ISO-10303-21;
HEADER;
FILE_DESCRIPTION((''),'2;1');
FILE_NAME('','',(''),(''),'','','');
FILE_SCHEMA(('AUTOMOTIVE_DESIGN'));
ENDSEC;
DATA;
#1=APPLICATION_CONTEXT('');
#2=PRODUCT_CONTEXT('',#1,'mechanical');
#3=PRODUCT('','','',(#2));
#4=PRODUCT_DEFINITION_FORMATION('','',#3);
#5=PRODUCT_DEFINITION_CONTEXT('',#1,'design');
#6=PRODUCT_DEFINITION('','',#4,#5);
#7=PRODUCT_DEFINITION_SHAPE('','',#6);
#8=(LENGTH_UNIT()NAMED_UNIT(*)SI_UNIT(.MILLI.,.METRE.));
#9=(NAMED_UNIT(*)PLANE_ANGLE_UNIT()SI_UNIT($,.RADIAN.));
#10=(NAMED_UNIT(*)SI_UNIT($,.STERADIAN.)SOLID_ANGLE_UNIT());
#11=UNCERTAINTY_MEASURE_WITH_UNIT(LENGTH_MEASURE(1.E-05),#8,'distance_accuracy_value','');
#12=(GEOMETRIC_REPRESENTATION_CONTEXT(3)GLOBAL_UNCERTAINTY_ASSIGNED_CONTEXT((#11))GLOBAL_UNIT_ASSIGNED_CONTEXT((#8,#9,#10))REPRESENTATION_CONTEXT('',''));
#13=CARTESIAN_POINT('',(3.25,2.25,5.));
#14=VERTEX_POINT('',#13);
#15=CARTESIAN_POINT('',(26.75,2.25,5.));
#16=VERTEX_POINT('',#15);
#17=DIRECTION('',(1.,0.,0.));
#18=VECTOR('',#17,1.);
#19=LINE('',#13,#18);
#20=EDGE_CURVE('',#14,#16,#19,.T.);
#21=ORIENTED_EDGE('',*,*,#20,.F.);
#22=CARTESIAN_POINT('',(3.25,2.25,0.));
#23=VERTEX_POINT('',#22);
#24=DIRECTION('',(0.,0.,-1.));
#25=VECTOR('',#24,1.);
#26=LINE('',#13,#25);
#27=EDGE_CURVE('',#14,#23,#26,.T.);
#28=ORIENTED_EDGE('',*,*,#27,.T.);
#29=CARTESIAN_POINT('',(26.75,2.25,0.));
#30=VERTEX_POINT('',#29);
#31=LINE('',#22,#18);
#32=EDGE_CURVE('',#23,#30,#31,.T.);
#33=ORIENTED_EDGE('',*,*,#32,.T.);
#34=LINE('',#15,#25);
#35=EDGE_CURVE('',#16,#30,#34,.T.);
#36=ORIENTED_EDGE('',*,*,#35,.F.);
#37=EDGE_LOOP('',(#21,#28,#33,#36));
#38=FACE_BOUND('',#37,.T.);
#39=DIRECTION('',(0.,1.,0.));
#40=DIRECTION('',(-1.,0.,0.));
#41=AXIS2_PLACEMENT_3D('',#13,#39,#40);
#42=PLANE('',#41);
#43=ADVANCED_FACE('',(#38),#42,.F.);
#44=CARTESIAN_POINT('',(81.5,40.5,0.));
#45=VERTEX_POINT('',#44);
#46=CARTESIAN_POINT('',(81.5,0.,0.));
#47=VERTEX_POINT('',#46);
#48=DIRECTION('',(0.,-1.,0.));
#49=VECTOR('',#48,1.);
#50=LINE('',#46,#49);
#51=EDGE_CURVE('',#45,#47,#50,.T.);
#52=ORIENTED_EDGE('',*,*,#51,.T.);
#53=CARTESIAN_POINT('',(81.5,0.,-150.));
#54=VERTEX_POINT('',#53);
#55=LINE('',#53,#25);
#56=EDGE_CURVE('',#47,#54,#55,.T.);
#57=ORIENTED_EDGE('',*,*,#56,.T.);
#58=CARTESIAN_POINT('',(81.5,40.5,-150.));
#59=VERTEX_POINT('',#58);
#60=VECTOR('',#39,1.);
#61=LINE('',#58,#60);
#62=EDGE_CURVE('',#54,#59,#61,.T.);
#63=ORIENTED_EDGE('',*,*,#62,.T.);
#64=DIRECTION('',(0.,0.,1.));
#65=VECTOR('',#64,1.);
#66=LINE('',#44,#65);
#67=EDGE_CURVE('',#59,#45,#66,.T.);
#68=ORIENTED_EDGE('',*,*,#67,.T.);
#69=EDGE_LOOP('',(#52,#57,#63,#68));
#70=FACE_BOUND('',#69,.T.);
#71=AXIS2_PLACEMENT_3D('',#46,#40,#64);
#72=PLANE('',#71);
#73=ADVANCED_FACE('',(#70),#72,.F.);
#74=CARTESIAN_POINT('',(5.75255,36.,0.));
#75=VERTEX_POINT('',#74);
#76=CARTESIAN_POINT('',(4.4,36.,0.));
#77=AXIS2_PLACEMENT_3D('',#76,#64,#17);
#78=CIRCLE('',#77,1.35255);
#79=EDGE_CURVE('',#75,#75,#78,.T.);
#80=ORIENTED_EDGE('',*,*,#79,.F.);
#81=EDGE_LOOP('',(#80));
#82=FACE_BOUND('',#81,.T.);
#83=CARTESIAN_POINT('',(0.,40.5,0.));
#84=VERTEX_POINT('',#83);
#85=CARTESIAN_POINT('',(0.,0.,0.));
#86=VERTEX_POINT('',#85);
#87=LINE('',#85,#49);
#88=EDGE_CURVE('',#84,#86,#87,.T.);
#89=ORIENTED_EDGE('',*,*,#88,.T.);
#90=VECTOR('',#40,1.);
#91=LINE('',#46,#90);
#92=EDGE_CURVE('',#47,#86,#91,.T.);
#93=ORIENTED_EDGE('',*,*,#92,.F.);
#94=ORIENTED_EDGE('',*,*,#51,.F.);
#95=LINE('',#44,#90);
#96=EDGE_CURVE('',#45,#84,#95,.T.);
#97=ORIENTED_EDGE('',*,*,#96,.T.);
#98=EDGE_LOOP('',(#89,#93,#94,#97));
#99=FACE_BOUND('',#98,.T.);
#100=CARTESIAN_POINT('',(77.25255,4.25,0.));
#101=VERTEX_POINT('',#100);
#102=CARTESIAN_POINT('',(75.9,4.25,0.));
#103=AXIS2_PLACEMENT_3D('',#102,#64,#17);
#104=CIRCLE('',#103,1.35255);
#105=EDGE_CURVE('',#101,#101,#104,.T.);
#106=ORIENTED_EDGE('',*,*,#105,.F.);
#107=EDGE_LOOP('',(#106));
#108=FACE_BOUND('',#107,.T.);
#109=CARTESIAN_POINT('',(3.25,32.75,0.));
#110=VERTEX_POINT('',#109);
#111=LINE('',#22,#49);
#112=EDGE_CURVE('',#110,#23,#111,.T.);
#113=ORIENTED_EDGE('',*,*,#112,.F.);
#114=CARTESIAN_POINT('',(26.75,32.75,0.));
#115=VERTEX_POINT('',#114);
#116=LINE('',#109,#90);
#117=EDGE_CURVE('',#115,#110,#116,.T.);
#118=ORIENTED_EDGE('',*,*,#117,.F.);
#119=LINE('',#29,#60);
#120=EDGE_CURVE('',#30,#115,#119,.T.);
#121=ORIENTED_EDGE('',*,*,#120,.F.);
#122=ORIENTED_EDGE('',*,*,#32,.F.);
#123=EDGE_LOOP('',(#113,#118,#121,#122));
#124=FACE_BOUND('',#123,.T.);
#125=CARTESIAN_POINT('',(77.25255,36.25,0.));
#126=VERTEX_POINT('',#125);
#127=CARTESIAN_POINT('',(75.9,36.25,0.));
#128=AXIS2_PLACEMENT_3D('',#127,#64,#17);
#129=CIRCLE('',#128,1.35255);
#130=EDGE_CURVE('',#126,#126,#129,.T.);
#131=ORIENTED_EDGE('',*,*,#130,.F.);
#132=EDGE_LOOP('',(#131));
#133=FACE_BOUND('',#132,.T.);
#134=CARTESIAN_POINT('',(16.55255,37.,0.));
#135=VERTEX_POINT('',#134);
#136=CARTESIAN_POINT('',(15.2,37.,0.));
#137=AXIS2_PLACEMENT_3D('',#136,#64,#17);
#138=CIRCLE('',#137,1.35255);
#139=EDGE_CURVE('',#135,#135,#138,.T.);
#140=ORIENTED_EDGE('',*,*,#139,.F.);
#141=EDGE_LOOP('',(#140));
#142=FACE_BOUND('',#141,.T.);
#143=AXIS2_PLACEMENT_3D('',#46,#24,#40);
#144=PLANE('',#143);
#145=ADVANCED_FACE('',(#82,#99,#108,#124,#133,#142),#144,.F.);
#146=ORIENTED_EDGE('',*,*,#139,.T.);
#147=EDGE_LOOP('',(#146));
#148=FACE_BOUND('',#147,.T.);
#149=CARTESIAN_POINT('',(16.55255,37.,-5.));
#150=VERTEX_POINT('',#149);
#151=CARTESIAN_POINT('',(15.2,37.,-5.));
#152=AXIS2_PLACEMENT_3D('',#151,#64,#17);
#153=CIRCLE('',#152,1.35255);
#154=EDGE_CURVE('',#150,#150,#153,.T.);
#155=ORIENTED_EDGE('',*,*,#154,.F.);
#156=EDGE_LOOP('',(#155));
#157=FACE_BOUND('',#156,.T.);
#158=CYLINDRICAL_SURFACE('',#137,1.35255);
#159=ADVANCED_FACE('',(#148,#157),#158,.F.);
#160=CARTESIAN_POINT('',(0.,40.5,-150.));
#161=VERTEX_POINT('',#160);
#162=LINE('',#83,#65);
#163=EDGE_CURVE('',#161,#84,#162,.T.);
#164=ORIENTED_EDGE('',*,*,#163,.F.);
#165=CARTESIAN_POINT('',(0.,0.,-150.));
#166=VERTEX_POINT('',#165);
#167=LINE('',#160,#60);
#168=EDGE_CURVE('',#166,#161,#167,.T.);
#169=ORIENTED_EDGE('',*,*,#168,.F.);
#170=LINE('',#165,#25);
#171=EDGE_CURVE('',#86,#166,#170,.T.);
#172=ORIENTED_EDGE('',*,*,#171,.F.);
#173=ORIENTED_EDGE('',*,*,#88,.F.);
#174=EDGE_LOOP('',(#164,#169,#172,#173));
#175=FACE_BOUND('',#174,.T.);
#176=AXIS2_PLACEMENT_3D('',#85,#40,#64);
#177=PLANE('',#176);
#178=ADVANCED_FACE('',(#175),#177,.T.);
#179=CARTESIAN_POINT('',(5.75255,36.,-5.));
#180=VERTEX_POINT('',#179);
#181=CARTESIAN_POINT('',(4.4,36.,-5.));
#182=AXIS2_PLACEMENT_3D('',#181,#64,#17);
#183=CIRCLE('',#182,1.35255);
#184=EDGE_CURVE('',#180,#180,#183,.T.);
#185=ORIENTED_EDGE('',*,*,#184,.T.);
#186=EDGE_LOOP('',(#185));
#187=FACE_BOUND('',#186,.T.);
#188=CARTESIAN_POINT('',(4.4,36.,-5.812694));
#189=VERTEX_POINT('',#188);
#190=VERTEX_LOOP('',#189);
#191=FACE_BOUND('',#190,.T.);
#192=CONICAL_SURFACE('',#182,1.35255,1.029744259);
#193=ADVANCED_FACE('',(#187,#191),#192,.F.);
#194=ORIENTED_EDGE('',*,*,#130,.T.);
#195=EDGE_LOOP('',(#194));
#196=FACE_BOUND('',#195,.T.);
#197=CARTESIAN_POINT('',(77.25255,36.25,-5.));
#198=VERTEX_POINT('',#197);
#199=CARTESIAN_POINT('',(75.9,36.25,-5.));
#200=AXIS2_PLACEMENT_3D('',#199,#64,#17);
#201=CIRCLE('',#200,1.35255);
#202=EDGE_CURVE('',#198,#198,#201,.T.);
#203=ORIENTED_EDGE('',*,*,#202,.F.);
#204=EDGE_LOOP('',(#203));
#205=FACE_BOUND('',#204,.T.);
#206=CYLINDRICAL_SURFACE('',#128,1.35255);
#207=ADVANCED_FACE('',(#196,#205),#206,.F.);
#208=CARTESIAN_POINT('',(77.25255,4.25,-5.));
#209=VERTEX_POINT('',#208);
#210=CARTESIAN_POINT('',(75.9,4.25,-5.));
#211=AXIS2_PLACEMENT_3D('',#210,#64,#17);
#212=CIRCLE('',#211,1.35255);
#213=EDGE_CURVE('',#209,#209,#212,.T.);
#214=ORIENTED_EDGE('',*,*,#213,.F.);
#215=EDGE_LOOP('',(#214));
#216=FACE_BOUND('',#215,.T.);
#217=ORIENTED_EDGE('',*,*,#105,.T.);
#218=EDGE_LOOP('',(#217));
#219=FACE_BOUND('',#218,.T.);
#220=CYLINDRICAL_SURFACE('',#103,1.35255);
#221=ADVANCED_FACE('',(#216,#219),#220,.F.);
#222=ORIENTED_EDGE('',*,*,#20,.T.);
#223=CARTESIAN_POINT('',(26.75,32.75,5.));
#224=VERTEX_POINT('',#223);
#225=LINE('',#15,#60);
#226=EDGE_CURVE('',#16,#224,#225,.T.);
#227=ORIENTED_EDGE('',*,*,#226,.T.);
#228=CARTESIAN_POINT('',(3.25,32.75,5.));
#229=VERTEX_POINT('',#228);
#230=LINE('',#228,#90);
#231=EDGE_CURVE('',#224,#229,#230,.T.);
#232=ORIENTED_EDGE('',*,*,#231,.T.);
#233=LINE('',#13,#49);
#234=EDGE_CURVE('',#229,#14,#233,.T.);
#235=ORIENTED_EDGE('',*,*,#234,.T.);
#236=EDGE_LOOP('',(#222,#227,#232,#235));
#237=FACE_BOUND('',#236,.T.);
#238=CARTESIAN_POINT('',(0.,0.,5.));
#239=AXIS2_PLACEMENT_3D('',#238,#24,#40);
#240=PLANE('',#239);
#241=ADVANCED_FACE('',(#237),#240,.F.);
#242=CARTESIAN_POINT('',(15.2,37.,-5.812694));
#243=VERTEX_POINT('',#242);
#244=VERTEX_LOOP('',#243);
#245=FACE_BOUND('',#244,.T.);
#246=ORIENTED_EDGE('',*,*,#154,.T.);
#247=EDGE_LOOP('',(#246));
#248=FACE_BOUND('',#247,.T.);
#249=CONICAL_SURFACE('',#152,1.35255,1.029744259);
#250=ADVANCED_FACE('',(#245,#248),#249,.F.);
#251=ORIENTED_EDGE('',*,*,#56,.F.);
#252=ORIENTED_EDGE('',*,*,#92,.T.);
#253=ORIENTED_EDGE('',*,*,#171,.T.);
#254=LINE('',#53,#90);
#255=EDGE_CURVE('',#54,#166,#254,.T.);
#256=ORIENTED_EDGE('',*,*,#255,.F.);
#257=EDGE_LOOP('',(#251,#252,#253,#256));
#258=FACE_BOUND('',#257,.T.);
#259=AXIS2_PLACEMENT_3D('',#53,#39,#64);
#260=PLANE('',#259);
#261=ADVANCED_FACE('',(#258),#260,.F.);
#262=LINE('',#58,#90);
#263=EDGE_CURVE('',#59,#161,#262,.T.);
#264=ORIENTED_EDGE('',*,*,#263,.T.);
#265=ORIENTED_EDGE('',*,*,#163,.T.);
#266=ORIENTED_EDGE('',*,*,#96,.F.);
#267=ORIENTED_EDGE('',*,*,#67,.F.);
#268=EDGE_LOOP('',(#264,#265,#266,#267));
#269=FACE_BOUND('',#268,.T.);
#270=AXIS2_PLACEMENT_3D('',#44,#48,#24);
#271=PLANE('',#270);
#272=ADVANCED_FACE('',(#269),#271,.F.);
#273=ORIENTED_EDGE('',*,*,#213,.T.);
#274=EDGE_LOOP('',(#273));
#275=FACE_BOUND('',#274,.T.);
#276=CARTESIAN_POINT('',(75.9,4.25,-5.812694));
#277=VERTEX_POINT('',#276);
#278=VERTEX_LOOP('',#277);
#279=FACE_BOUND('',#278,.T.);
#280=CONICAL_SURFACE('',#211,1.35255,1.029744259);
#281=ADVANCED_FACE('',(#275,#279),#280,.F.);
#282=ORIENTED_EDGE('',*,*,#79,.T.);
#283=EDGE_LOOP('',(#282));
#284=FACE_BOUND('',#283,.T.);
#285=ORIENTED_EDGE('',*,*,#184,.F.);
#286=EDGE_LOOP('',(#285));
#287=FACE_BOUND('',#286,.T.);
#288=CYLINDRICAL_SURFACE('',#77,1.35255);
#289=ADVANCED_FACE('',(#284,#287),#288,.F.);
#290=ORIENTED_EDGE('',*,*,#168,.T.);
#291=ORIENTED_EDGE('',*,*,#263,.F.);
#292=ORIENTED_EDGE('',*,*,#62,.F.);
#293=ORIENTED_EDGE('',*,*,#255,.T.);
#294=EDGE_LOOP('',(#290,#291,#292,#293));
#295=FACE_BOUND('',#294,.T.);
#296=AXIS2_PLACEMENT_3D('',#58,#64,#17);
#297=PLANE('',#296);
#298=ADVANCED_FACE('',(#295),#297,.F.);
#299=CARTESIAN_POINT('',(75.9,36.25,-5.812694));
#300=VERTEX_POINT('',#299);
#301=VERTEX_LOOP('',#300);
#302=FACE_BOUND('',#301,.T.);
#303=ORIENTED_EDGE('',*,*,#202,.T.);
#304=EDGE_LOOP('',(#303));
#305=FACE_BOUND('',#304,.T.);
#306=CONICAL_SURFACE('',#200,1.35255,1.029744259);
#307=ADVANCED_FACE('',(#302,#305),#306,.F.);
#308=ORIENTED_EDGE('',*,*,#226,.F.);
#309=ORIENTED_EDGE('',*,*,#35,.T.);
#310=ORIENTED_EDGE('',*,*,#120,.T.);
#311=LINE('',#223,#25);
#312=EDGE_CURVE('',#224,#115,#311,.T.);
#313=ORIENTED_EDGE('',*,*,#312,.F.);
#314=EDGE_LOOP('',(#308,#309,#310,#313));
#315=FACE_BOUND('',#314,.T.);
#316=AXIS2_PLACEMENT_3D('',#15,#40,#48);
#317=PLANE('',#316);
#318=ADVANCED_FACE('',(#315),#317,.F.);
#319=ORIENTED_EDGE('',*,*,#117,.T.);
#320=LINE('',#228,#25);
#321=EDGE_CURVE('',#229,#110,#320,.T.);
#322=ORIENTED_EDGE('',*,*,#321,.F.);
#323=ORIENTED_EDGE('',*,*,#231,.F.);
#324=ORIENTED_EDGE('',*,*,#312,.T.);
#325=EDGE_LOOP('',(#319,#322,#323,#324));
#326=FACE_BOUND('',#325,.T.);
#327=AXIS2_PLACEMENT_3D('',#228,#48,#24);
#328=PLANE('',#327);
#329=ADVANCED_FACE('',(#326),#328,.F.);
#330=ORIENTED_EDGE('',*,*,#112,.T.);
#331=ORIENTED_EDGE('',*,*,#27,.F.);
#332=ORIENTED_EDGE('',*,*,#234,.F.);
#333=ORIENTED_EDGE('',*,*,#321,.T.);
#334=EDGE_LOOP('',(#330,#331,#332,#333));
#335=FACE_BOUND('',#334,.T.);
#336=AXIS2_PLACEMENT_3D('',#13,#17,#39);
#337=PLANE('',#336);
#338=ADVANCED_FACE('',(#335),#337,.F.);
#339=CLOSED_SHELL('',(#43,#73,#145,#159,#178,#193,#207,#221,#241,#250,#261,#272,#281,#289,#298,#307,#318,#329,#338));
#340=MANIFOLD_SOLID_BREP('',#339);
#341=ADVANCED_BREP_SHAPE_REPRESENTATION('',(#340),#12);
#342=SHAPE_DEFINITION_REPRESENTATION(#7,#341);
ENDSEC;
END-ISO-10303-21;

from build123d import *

# Parameters (mm, degrees)
SKETCH1_W                 = 150
SKETCH1_H                 = 40.5
MAIN_BODY_DEPTH           = 81.5
F_6_32_TAPPED_HOLE2_D     = 2.7051
F_6_32_TAPPED_HOLE2_DEPTH = 5
F_6_32_TAPPED_HOLE2_TIP   = 0.81269403
SKETCH7_W                 = 23.5
SKETCH7_H                 = 30.5
BOSS_EXTRUDE1_DEPTH       = 5


with BuildPart() as part:
    # Sketch1 → main-body (new body)
    with BuildSketch(Plane(origin=(0, 0, 0), x_dir=(0, 0, -1), z_dir=(1, 0, 0))):
        with Locations((75, 20.25)):
            Rectangle(SKETCH1_W, SKETCH1_H)
    extrude(amount=MAIN_BODY_DEPTH)

    # #6-32 Tapped Hole2
    with Locations(Plane.XY):
        with Locations((4.4, 36), (15.2, 37), (75.9, 36.25), (75.9, 4.25)):
            Hole(F_6_32_TAPPED_HOLE2_D / 2, depth=F_6_32_TAPPED_HOLE2_DEPTH)
            with Locations((0, 0, -(F_6_32_TAPPED_HOLE2_DEPTH + F_6_32_TAPPED_HOLE2_TIP / 2))):  # 118° drill point
                Cone(0, F_6_32_TAPPED_HOLE2_D / 2, F_6_32_TAPPED_HOLE2_TIP, mode=Mode.SUBTRACT)

    # Sketch7 → Boss-Extrude1 (add)
    with BuildSketch(Plane.XY):
        with Locations((15, 17.5)):
            Rectangle(SKETCH7_W, SKETCH7_H)
    extrude(amount=BOSS_EXTRUDE1_DEPTH)


solid = part.part
